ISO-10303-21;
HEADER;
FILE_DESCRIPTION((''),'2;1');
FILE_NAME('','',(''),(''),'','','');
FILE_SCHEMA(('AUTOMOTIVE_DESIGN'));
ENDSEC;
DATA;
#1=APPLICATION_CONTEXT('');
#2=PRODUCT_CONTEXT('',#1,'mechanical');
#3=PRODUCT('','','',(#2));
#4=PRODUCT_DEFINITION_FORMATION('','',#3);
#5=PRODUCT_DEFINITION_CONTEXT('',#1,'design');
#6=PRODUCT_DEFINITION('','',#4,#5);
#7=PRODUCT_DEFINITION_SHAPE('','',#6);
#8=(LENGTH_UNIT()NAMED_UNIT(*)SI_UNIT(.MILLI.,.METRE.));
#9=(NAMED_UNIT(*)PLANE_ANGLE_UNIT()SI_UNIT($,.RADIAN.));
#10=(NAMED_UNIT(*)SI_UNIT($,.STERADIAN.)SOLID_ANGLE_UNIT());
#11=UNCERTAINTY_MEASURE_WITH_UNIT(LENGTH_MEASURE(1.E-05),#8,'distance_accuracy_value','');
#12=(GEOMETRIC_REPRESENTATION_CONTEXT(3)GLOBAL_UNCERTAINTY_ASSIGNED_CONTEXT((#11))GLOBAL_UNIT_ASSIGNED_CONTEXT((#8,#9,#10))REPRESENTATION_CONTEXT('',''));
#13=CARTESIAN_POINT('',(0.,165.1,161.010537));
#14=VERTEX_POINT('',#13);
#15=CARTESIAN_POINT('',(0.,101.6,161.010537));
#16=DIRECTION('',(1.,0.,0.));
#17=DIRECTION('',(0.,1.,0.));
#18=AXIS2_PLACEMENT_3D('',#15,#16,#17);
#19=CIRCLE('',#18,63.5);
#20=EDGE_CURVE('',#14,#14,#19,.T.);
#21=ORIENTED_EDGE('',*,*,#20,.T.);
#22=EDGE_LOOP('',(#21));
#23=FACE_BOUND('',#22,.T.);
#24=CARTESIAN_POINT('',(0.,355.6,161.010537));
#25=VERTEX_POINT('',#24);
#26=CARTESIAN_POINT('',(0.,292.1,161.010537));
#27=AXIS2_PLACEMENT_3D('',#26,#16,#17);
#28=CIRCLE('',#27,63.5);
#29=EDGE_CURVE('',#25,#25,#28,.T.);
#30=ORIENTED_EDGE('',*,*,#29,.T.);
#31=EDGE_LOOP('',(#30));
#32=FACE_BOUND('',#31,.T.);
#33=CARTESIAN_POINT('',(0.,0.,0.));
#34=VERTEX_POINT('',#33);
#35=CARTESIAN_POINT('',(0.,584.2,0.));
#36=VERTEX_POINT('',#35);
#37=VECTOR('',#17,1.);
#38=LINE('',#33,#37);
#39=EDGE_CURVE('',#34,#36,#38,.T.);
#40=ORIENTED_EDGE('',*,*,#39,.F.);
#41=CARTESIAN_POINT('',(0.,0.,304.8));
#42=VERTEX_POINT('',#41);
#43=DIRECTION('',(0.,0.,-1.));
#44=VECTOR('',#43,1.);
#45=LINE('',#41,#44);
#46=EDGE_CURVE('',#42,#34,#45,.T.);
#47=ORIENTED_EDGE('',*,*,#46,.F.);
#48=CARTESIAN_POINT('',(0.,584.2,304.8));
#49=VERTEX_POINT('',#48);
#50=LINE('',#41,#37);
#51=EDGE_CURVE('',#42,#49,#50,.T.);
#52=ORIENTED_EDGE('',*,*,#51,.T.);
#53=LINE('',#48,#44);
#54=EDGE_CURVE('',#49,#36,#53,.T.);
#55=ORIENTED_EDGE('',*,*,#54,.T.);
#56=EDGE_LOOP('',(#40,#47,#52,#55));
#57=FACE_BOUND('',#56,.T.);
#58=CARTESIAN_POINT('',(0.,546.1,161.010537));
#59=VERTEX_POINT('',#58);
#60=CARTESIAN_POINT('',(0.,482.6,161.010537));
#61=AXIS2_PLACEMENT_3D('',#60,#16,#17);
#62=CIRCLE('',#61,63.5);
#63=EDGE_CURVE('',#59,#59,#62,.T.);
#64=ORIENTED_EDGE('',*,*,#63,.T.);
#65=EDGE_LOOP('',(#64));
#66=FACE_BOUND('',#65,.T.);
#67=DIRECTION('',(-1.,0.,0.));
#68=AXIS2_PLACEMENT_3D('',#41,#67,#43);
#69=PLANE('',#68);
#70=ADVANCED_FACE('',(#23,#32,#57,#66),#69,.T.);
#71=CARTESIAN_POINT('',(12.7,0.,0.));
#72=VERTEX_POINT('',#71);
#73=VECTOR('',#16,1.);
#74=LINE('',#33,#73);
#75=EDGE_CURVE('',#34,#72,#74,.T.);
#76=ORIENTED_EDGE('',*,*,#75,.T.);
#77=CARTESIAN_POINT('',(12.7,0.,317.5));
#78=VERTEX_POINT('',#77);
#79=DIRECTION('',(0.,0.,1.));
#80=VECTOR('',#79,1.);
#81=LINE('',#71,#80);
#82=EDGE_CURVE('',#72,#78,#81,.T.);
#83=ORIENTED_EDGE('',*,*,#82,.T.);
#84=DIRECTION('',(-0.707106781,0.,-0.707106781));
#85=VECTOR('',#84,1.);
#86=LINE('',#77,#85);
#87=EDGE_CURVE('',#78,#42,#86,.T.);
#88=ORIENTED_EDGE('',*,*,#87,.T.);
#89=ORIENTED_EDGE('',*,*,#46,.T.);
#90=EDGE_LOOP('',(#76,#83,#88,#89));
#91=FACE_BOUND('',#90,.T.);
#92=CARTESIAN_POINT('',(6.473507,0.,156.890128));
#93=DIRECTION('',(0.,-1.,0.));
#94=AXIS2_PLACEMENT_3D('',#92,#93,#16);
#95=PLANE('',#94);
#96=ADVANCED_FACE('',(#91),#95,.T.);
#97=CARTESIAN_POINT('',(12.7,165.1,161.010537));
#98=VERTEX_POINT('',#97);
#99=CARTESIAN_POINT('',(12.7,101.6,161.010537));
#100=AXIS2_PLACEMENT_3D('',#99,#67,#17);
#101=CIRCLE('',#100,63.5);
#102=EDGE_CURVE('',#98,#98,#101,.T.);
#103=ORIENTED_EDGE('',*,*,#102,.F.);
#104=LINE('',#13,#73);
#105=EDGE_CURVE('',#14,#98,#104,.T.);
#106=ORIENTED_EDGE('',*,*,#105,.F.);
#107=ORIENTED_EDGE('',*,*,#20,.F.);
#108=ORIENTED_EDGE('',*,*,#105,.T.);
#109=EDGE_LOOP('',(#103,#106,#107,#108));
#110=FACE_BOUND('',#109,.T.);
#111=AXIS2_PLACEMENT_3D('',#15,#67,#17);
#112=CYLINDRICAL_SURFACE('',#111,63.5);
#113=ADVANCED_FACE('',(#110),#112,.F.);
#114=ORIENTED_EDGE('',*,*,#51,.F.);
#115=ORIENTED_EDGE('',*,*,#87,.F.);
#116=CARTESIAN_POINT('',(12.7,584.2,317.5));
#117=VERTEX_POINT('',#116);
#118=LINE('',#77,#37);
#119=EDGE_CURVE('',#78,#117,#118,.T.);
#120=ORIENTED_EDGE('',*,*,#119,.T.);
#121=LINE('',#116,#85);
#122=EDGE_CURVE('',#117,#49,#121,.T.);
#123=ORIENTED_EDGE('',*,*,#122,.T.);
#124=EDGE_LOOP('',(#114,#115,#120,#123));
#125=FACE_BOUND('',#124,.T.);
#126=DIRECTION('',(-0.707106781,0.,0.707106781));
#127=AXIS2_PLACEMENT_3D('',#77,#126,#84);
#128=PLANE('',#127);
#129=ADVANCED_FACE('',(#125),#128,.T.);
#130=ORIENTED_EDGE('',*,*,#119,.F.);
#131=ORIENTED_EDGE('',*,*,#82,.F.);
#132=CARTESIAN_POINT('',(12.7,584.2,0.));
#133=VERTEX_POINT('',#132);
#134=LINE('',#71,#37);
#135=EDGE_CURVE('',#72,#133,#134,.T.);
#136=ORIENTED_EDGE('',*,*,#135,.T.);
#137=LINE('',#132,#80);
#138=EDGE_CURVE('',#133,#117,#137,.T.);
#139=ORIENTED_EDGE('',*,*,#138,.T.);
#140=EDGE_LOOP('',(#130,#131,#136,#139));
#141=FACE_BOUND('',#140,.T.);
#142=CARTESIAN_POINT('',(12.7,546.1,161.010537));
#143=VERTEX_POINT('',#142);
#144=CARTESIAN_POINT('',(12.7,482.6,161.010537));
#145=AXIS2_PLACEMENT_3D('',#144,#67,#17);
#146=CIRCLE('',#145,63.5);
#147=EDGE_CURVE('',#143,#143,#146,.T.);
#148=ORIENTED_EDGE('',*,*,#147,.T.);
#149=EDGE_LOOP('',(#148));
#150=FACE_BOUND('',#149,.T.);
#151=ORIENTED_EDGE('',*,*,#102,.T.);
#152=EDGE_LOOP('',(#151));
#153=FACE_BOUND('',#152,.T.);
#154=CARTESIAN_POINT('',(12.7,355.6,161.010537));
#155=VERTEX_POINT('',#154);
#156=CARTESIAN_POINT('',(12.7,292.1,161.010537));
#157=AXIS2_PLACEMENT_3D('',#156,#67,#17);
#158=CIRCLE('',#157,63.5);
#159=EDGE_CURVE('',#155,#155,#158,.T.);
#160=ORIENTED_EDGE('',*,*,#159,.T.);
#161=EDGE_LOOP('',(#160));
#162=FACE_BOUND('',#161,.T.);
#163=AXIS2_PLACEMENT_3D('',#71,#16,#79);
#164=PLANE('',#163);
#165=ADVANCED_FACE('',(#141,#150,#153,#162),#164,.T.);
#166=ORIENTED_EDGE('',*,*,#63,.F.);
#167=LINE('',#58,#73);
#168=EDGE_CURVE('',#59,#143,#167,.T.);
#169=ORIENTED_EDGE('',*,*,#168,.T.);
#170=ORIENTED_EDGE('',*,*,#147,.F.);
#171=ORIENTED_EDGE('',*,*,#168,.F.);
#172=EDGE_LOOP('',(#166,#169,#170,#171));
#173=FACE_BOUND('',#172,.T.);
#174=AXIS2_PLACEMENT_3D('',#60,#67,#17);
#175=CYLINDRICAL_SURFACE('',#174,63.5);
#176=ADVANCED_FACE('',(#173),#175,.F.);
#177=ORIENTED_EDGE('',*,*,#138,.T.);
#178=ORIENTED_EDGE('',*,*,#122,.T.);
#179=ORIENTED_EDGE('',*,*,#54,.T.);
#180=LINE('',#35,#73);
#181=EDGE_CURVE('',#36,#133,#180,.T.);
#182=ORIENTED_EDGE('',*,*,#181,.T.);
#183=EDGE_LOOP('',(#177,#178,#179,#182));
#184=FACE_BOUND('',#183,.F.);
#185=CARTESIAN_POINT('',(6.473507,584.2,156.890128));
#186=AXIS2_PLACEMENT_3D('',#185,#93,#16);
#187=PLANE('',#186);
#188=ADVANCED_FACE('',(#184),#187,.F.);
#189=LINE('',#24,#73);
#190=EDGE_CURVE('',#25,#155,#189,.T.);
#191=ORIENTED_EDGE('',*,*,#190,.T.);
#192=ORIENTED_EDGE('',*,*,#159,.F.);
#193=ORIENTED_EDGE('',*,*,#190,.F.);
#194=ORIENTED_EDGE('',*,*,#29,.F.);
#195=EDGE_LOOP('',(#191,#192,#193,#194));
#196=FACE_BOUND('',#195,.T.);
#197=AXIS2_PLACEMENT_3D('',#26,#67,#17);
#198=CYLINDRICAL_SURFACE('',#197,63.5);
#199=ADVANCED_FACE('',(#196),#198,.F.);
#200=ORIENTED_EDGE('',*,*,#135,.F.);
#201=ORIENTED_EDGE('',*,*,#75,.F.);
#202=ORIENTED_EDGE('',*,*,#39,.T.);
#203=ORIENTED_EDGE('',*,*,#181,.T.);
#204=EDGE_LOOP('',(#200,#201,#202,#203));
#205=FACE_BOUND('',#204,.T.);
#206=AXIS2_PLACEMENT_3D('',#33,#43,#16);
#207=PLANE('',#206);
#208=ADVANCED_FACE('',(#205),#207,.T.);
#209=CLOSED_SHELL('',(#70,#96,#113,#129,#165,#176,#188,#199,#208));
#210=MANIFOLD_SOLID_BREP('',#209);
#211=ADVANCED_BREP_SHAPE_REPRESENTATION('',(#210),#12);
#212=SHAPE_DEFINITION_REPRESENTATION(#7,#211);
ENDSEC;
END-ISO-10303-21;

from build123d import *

# Parameters (mm, degrees)
F1_DEPTH = 584.2
F2_R     = 63.5
F3_DEPTH = 12.701


with BuildPart() as f1:
    # F0 (on Front) → F1 (new body)
    with BuildSketch(Plane.XZ):
        Polygon((0, 304.8), (0, 0), (12.7, 0), (12.7, 317.5), align=None)
    extrude(amount=-F1_DEPTH)

    # F2 (on Right) → F3 (cut, through all)
    with BuildSketch(Plane.YZ):
        with Locations((101.6, 161.010537)):
            Circle(F2_R)
        with Locations((292.1, 161.010537)):
            Circle(F2_R)
        with Locations((482.6, 161.010537)):
            Circle(F2_R)
    extrude(amount=F3_DEPTH, mode=Mode.SUBTRACT)


solid = f1.part
